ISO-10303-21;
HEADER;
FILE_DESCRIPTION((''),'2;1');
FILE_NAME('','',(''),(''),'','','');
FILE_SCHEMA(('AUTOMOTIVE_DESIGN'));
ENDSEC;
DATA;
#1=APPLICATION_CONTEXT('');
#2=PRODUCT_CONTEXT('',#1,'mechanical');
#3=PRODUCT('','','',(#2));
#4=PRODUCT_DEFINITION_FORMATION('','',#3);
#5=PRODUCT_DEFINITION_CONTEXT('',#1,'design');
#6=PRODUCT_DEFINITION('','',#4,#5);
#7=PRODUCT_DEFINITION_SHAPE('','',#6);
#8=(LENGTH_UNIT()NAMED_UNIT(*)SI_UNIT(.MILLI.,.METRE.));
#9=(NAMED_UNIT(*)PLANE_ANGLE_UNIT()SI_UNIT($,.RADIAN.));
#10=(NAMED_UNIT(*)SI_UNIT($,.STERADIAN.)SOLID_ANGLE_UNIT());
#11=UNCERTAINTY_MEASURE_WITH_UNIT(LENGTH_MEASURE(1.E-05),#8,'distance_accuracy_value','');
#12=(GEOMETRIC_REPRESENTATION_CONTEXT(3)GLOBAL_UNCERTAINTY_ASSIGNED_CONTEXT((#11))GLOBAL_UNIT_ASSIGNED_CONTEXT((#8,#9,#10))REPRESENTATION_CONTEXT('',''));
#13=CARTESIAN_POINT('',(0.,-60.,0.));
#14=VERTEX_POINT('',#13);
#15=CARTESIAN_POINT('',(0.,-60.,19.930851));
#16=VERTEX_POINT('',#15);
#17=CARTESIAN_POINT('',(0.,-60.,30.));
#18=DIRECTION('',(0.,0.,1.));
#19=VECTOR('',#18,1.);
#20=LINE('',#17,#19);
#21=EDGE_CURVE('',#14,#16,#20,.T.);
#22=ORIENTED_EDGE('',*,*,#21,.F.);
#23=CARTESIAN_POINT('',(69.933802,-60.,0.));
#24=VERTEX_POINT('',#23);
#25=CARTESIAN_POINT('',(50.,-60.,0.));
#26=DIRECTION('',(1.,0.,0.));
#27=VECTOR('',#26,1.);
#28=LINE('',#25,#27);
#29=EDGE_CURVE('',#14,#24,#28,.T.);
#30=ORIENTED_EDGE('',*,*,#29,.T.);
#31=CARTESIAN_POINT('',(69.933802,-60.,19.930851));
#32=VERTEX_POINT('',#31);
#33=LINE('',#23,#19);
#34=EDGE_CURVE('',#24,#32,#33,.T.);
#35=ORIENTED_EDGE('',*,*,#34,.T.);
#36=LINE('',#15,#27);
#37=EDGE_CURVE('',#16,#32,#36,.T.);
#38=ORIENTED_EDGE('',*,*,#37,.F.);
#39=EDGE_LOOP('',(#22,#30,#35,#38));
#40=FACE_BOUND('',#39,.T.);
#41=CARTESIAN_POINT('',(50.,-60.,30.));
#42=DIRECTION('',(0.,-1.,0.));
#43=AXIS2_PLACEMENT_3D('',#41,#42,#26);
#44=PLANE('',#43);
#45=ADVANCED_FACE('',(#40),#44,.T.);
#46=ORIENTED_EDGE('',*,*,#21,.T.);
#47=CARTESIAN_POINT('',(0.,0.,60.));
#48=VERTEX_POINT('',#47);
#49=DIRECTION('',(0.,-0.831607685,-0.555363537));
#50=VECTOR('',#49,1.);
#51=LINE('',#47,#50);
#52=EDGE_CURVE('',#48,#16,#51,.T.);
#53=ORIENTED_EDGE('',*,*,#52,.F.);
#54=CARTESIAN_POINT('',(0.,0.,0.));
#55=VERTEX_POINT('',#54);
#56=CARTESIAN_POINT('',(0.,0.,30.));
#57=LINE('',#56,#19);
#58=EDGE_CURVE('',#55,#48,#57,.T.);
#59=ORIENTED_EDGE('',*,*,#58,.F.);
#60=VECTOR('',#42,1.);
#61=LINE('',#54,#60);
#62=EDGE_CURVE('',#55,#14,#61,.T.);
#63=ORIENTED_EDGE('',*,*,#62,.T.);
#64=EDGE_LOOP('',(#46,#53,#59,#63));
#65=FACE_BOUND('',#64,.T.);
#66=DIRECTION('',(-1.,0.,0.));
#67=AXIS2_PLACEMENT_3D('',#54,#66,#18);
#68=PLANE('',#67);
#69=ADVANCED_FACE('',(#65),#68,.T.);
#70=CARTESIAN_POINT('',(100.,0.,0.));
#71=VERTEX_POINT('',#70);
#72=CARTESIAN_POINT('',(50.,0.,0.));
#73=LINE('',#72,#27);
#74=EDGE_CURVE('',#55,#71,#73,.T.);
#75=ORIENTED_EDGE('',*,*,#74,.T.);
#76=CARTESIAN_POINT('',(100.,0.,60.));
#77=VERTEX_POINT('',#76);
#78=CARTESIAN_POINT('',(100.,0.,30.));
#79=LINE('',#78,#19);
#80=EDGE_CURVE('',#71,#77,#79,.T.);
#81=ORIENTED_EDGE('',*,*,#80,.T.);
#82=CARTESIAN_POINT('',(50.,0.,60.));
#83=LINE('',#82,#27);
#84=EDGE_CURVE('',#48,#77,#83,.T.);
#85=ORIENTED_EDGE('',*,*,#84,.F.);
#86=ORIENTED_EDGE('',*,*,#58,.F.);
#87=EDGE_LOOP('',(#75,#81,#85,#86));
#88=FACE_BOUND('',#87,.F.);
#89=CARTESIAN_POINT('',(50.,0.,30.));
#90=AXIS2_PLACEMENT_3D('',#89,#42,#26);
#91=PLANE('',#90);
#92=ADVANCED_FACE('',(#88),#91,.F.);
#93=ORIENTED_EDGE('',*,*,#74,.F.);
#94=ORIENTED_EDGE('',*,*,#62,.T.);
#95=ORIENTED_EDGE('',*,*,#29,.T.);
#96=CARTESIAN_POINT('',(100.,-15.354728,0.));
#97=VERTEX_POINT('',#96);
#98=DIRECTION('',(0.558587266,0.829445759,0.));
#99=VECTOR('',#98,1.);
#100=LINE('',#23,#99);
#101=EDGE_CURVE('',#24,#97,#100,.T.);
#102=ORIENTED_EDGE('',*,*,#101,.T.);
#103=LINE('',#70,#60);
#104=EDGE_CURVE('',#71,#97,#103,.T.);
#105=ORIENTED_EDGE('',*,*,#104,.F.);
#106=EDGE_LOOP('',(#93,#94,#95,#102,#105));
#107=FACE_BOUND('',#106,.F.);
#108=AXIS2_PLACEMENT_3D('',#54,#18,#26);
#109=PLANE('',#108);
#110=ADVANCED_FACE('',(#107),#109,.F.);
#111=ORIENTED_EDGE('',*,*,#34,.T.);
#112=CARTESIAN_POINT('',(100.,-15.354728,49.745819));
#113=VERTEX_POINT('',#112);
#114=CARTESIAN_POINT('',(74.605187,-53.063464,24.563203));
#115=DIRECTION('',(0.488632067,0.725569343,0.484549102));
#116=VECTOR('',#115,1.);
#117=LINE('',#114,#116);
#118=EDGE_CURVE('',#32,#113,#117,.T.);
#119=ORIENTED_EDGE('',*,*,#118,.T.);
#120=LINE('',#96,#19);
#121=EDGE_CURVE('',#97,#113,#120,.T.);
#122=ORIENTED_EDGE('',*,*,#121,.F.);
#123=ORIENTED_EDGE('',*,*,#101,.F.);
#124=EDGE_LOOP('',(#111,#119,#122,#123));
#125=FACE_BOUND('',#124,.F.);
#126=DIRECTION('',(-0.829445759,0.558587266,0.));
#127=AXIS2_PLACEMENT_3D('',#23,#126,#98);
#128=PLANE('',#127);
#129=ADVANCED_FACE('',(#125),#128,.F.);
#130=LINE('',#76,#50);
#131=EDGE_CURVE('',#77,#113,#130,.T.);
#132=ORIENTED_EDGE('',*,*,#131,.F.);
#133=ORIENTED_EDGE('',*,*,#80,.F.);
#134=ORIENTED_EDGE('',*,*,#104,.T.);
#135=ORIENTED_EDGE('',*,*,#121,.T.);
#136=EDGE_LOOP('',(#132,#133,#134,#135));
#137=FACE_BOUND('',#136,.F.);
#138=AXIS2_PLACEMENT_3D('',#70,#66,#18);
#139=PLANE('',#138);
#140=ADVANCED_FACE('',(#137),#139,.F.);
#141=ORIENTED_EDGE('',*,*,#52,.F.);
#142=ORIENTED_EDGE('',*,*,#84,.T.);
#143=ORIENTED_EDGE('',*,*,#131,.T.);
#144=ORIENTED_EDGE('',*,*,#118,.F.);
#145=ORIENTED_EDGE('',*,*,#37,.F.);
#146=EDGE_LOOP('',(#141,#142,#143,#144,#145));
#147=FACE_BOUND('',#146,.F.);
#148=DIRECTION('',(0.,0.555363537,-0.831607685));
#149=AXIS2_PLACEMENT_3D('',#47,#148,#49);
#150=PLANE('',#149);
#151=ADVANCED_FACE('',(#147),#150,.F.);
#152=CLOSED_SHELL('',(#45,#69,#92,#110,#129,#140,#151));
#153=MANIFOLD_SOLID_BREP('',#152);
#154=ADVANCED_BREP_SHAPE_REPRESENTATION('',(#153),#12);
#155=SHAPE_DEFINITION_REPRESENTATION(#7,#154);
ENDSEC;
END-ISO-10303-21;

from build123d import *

# Parameters (mm, degrees)
F0_W     = 100
F0_H     = 60
F1_DEPTH = 60
F3_DEPTH = 100
F5_DEPTH = 73.8


with BuildPart() as f1:
    # F0 (on Front) → F1 (new body)
    with BuildSketch(Plane.XZ):
        with Locations((50, 30)):
            Rectangle(F0_W, F0_H)
    extrude(amount=F1_DEPTH)

    # F2 (on face) → F3 (cut)
    with BuildSketch(Plane(origin=(0, 0, 0), x_dir=(0, -1, 0), z_dir=(-1, 0, 0))):
        Polygon((0, 60), (60, 19.930851), (60, 60), align=None)
    extrude(amount=-F3_DEPTH, mode=Mode.SUBTRACT)

    # F4 (on face) → F5 (cut)
    with BuildSketch(Plane(origin=(0, 0, 0), x_dir=(1, 0, 0), z_dir=(0, 0, -1))):
        Polygon((100, 60), (69.933802, 60), (100, 15.354728), align=None)
    extrude(amount=-F5_DEPTH, mode=Mode.SUBTRACT)


solid = f1.part
